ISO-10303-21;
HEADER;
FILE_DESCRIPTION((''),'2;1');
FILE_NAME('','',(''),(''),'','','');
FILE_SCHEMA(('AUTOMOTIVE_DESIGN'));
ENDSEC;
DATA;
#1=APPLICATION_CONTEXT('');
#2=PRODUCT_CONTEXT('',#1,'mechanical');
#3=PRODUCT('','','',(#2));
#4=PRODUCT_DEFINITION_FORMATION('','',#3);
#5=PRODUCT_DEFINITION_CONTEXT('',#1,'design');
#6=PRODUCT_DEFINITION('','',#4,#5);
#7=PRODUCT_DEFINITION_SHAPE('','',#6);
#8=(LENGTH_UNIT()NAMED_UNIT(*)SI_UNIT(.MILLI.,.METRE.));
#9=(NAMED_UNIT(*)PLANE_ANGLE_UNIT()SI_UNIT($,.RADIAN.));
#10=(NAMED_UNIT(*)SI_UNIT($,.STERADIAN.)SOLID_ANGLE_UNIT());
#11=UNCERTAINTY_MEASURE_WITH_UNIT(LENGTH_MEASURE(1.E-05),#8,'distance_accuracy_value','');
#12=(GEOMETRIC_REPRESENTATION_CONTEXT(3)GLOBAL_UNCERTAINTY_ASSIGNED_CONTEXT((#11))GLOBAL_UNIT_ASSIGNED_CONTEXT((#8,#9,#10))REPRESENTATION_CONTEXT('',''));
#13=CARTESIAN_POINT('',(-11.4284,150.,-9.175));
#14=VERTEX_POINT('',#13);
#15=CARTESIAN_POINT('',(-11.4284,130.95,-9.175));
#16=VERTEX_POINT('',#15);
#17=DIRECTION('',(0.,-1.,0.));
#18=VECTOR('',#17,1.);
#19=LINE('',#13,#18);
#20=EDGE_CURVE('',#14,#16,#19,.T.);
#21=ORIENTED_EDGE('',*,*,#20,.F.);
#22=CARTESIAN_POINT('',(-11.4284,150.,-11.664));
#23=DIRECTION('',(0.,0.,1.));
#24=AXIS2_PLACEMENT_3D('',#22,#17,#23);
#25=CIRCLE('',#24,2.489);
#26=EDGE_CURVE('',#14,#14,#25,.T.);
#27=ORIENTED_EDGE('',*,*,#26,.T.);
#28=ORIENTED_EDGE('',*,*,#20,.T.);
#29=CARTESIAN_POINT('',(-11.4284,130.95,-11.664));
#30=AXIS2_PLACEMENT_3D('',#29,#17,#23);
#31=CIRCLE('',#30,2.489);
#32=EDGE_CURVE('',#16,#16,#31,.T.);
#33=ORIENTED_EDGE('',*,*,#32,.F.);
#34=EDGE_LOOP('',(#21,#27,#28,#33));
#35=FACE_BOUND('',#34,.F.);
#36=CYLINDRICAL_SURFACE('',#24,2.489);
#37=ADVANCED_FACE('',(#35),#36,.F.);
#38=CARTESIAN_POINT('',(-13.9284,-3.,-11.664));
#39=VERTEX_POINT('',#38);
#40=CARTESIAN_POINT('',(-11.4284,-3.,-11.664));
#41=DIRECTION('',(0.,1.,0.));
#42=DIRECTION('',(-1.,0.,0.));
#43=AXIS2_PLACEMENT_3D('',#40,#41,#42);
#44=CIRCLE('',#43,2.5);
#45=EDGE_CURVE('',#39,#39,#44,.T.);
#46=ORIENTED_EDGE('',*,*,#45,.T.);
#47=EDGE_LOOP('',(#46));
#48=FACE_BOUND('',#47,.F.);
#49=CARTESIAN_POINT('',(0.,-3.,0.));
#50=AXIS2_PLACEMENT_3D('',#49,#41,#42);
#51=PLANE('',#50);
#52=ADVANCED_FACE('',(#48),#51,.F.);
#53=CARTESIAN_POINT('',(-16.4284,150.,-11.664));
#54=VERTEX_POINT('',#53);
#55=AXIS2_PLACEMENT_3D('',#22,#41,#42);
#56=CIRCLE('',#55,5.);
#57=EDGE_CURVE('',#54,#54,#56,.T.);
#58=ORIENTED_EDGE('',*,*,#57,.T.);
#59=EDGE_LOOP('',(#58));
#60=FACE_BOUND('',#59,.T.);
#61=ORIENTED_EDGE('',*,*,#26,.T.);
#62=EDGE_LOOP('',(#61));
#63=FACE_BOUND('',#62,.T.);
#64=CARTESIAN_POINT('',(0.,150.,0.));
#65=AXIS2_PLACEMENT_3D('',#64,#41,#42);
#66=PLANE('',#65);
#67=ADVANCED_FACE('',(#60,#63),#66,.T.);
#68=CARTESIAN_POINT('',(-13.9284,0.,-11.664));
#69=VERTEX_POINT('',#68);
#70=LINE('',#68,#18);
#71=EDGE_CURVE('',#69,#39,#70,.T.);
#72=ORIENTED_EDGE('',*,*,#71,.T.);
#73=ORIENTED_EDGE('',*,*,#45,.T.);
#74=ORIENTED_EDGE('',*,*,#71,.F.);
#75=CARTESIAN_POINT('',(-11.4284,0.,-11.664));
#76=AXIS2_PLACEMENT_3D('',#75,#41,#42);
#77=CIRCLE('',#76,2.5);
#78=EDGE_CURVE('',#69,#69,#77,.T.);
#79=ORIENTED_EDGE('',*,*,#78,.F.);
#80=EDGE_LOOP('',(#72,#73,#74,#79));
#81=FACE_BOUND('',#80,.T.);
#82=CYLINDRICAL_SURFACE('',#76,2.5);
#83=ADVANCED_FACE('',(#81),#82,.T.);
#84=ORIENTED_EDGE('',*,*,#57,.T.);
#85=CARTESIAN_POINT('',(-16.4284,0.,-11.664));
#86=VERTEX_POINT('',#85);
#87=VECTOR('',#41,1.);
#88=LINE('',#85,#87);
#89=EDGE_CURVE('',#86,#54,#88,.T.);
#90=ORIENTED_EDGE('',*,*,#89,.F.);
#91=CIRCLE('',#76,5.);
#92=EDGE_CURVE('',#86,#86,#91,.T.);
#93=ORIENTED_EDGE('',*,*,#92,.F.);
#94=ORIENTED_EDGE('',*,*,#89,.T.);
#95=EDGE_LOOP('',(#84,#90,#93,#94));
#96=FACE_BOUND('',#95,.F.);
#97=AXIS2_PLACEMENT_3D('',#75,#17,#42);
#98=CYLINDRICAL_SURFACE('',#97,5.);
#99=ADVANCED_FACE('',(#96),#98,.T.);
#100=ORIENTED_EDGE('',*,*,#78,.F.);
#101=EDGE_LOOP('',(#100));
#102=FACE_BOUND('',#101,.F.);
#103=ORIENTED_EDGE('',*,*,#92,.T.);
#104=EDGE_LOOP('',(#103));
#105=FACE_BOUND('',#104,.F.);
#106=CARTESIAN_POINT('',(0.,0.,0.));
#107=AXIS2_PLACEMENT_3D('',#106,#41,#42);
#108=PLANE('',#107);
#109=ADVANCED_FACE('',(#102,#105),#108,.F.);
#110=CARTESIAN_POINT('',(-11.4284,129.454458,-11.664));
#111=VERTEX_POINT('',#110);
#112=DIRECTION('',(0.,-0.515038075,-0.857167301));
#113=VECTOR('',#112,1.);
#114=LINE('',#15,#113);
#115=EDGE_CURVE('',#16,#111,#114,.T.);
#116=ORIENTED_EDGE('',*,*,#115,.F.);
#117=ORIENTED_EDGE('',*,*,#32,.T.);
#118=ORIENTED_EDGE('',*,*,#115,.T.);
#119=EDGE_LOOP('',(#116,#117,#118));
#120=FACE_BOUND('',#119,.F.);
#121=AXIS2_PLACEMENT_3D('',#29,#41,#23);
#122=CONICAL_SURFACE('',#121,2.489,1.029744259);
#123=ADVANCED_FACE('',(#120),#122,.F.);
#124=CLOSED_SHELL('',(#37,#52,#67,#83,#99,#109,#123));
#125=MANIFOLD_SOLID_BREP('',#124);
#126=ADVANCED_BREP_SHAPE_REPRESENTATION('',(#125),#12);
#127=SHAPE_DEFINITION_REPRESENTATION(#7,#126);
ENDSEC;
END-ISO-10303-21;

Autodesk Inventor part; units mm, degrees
ref_plane "YZ Plane" through (0, 0, 0) normal (1, 0, 0) x (0, 1, 0)
ref_plane "XZ Plane" through (0, 0, 0) normal (0, 1, 0) x (-1, 0, 0)
ref_plane "XY Plane" through (0, 0, 0) normal (0, 0, 1) x (1, 0, 0)
sketch "Skizze1" plane through (0, 0, 0) normal (0, 1, 0) x (-1, 0, 0)
  circle A0 centre (11.4284, -11.664) radius 5
  circle A1 centre (11.4284, -11.664) radius 2.5
  point P0 (0, 0)
  dimension "d0" = 10
  dimension "d1" = 5
extrude "Extrusion1" add sketch "Skizze1" along normal blind 150 contours A0 | A1
extrude "Extrusion2" add sketch "Skizze1" against normal blind 3 contours A1
thread "Gewinde1" size "M5x0.8" class "6g" standard "ANSI Metric M Profile" full length
sketch "Skizze2" plane through (-11.4284, 150, -11.664) normal (0, 1, 0) x (1, 0, 0)
  point P0 (11.4284, -11.664)
  point P1 (0, 0)
hole "Bohrung1" at (-11.4284, 150, -11.664) direction (0, -1, 0) diameter 4.978 depth 19.05 tip angle 118 thread size "1/4-20 UNC" class "2B" standard "ANSI Unified Screw Threads"
properties part number "Stangen"
